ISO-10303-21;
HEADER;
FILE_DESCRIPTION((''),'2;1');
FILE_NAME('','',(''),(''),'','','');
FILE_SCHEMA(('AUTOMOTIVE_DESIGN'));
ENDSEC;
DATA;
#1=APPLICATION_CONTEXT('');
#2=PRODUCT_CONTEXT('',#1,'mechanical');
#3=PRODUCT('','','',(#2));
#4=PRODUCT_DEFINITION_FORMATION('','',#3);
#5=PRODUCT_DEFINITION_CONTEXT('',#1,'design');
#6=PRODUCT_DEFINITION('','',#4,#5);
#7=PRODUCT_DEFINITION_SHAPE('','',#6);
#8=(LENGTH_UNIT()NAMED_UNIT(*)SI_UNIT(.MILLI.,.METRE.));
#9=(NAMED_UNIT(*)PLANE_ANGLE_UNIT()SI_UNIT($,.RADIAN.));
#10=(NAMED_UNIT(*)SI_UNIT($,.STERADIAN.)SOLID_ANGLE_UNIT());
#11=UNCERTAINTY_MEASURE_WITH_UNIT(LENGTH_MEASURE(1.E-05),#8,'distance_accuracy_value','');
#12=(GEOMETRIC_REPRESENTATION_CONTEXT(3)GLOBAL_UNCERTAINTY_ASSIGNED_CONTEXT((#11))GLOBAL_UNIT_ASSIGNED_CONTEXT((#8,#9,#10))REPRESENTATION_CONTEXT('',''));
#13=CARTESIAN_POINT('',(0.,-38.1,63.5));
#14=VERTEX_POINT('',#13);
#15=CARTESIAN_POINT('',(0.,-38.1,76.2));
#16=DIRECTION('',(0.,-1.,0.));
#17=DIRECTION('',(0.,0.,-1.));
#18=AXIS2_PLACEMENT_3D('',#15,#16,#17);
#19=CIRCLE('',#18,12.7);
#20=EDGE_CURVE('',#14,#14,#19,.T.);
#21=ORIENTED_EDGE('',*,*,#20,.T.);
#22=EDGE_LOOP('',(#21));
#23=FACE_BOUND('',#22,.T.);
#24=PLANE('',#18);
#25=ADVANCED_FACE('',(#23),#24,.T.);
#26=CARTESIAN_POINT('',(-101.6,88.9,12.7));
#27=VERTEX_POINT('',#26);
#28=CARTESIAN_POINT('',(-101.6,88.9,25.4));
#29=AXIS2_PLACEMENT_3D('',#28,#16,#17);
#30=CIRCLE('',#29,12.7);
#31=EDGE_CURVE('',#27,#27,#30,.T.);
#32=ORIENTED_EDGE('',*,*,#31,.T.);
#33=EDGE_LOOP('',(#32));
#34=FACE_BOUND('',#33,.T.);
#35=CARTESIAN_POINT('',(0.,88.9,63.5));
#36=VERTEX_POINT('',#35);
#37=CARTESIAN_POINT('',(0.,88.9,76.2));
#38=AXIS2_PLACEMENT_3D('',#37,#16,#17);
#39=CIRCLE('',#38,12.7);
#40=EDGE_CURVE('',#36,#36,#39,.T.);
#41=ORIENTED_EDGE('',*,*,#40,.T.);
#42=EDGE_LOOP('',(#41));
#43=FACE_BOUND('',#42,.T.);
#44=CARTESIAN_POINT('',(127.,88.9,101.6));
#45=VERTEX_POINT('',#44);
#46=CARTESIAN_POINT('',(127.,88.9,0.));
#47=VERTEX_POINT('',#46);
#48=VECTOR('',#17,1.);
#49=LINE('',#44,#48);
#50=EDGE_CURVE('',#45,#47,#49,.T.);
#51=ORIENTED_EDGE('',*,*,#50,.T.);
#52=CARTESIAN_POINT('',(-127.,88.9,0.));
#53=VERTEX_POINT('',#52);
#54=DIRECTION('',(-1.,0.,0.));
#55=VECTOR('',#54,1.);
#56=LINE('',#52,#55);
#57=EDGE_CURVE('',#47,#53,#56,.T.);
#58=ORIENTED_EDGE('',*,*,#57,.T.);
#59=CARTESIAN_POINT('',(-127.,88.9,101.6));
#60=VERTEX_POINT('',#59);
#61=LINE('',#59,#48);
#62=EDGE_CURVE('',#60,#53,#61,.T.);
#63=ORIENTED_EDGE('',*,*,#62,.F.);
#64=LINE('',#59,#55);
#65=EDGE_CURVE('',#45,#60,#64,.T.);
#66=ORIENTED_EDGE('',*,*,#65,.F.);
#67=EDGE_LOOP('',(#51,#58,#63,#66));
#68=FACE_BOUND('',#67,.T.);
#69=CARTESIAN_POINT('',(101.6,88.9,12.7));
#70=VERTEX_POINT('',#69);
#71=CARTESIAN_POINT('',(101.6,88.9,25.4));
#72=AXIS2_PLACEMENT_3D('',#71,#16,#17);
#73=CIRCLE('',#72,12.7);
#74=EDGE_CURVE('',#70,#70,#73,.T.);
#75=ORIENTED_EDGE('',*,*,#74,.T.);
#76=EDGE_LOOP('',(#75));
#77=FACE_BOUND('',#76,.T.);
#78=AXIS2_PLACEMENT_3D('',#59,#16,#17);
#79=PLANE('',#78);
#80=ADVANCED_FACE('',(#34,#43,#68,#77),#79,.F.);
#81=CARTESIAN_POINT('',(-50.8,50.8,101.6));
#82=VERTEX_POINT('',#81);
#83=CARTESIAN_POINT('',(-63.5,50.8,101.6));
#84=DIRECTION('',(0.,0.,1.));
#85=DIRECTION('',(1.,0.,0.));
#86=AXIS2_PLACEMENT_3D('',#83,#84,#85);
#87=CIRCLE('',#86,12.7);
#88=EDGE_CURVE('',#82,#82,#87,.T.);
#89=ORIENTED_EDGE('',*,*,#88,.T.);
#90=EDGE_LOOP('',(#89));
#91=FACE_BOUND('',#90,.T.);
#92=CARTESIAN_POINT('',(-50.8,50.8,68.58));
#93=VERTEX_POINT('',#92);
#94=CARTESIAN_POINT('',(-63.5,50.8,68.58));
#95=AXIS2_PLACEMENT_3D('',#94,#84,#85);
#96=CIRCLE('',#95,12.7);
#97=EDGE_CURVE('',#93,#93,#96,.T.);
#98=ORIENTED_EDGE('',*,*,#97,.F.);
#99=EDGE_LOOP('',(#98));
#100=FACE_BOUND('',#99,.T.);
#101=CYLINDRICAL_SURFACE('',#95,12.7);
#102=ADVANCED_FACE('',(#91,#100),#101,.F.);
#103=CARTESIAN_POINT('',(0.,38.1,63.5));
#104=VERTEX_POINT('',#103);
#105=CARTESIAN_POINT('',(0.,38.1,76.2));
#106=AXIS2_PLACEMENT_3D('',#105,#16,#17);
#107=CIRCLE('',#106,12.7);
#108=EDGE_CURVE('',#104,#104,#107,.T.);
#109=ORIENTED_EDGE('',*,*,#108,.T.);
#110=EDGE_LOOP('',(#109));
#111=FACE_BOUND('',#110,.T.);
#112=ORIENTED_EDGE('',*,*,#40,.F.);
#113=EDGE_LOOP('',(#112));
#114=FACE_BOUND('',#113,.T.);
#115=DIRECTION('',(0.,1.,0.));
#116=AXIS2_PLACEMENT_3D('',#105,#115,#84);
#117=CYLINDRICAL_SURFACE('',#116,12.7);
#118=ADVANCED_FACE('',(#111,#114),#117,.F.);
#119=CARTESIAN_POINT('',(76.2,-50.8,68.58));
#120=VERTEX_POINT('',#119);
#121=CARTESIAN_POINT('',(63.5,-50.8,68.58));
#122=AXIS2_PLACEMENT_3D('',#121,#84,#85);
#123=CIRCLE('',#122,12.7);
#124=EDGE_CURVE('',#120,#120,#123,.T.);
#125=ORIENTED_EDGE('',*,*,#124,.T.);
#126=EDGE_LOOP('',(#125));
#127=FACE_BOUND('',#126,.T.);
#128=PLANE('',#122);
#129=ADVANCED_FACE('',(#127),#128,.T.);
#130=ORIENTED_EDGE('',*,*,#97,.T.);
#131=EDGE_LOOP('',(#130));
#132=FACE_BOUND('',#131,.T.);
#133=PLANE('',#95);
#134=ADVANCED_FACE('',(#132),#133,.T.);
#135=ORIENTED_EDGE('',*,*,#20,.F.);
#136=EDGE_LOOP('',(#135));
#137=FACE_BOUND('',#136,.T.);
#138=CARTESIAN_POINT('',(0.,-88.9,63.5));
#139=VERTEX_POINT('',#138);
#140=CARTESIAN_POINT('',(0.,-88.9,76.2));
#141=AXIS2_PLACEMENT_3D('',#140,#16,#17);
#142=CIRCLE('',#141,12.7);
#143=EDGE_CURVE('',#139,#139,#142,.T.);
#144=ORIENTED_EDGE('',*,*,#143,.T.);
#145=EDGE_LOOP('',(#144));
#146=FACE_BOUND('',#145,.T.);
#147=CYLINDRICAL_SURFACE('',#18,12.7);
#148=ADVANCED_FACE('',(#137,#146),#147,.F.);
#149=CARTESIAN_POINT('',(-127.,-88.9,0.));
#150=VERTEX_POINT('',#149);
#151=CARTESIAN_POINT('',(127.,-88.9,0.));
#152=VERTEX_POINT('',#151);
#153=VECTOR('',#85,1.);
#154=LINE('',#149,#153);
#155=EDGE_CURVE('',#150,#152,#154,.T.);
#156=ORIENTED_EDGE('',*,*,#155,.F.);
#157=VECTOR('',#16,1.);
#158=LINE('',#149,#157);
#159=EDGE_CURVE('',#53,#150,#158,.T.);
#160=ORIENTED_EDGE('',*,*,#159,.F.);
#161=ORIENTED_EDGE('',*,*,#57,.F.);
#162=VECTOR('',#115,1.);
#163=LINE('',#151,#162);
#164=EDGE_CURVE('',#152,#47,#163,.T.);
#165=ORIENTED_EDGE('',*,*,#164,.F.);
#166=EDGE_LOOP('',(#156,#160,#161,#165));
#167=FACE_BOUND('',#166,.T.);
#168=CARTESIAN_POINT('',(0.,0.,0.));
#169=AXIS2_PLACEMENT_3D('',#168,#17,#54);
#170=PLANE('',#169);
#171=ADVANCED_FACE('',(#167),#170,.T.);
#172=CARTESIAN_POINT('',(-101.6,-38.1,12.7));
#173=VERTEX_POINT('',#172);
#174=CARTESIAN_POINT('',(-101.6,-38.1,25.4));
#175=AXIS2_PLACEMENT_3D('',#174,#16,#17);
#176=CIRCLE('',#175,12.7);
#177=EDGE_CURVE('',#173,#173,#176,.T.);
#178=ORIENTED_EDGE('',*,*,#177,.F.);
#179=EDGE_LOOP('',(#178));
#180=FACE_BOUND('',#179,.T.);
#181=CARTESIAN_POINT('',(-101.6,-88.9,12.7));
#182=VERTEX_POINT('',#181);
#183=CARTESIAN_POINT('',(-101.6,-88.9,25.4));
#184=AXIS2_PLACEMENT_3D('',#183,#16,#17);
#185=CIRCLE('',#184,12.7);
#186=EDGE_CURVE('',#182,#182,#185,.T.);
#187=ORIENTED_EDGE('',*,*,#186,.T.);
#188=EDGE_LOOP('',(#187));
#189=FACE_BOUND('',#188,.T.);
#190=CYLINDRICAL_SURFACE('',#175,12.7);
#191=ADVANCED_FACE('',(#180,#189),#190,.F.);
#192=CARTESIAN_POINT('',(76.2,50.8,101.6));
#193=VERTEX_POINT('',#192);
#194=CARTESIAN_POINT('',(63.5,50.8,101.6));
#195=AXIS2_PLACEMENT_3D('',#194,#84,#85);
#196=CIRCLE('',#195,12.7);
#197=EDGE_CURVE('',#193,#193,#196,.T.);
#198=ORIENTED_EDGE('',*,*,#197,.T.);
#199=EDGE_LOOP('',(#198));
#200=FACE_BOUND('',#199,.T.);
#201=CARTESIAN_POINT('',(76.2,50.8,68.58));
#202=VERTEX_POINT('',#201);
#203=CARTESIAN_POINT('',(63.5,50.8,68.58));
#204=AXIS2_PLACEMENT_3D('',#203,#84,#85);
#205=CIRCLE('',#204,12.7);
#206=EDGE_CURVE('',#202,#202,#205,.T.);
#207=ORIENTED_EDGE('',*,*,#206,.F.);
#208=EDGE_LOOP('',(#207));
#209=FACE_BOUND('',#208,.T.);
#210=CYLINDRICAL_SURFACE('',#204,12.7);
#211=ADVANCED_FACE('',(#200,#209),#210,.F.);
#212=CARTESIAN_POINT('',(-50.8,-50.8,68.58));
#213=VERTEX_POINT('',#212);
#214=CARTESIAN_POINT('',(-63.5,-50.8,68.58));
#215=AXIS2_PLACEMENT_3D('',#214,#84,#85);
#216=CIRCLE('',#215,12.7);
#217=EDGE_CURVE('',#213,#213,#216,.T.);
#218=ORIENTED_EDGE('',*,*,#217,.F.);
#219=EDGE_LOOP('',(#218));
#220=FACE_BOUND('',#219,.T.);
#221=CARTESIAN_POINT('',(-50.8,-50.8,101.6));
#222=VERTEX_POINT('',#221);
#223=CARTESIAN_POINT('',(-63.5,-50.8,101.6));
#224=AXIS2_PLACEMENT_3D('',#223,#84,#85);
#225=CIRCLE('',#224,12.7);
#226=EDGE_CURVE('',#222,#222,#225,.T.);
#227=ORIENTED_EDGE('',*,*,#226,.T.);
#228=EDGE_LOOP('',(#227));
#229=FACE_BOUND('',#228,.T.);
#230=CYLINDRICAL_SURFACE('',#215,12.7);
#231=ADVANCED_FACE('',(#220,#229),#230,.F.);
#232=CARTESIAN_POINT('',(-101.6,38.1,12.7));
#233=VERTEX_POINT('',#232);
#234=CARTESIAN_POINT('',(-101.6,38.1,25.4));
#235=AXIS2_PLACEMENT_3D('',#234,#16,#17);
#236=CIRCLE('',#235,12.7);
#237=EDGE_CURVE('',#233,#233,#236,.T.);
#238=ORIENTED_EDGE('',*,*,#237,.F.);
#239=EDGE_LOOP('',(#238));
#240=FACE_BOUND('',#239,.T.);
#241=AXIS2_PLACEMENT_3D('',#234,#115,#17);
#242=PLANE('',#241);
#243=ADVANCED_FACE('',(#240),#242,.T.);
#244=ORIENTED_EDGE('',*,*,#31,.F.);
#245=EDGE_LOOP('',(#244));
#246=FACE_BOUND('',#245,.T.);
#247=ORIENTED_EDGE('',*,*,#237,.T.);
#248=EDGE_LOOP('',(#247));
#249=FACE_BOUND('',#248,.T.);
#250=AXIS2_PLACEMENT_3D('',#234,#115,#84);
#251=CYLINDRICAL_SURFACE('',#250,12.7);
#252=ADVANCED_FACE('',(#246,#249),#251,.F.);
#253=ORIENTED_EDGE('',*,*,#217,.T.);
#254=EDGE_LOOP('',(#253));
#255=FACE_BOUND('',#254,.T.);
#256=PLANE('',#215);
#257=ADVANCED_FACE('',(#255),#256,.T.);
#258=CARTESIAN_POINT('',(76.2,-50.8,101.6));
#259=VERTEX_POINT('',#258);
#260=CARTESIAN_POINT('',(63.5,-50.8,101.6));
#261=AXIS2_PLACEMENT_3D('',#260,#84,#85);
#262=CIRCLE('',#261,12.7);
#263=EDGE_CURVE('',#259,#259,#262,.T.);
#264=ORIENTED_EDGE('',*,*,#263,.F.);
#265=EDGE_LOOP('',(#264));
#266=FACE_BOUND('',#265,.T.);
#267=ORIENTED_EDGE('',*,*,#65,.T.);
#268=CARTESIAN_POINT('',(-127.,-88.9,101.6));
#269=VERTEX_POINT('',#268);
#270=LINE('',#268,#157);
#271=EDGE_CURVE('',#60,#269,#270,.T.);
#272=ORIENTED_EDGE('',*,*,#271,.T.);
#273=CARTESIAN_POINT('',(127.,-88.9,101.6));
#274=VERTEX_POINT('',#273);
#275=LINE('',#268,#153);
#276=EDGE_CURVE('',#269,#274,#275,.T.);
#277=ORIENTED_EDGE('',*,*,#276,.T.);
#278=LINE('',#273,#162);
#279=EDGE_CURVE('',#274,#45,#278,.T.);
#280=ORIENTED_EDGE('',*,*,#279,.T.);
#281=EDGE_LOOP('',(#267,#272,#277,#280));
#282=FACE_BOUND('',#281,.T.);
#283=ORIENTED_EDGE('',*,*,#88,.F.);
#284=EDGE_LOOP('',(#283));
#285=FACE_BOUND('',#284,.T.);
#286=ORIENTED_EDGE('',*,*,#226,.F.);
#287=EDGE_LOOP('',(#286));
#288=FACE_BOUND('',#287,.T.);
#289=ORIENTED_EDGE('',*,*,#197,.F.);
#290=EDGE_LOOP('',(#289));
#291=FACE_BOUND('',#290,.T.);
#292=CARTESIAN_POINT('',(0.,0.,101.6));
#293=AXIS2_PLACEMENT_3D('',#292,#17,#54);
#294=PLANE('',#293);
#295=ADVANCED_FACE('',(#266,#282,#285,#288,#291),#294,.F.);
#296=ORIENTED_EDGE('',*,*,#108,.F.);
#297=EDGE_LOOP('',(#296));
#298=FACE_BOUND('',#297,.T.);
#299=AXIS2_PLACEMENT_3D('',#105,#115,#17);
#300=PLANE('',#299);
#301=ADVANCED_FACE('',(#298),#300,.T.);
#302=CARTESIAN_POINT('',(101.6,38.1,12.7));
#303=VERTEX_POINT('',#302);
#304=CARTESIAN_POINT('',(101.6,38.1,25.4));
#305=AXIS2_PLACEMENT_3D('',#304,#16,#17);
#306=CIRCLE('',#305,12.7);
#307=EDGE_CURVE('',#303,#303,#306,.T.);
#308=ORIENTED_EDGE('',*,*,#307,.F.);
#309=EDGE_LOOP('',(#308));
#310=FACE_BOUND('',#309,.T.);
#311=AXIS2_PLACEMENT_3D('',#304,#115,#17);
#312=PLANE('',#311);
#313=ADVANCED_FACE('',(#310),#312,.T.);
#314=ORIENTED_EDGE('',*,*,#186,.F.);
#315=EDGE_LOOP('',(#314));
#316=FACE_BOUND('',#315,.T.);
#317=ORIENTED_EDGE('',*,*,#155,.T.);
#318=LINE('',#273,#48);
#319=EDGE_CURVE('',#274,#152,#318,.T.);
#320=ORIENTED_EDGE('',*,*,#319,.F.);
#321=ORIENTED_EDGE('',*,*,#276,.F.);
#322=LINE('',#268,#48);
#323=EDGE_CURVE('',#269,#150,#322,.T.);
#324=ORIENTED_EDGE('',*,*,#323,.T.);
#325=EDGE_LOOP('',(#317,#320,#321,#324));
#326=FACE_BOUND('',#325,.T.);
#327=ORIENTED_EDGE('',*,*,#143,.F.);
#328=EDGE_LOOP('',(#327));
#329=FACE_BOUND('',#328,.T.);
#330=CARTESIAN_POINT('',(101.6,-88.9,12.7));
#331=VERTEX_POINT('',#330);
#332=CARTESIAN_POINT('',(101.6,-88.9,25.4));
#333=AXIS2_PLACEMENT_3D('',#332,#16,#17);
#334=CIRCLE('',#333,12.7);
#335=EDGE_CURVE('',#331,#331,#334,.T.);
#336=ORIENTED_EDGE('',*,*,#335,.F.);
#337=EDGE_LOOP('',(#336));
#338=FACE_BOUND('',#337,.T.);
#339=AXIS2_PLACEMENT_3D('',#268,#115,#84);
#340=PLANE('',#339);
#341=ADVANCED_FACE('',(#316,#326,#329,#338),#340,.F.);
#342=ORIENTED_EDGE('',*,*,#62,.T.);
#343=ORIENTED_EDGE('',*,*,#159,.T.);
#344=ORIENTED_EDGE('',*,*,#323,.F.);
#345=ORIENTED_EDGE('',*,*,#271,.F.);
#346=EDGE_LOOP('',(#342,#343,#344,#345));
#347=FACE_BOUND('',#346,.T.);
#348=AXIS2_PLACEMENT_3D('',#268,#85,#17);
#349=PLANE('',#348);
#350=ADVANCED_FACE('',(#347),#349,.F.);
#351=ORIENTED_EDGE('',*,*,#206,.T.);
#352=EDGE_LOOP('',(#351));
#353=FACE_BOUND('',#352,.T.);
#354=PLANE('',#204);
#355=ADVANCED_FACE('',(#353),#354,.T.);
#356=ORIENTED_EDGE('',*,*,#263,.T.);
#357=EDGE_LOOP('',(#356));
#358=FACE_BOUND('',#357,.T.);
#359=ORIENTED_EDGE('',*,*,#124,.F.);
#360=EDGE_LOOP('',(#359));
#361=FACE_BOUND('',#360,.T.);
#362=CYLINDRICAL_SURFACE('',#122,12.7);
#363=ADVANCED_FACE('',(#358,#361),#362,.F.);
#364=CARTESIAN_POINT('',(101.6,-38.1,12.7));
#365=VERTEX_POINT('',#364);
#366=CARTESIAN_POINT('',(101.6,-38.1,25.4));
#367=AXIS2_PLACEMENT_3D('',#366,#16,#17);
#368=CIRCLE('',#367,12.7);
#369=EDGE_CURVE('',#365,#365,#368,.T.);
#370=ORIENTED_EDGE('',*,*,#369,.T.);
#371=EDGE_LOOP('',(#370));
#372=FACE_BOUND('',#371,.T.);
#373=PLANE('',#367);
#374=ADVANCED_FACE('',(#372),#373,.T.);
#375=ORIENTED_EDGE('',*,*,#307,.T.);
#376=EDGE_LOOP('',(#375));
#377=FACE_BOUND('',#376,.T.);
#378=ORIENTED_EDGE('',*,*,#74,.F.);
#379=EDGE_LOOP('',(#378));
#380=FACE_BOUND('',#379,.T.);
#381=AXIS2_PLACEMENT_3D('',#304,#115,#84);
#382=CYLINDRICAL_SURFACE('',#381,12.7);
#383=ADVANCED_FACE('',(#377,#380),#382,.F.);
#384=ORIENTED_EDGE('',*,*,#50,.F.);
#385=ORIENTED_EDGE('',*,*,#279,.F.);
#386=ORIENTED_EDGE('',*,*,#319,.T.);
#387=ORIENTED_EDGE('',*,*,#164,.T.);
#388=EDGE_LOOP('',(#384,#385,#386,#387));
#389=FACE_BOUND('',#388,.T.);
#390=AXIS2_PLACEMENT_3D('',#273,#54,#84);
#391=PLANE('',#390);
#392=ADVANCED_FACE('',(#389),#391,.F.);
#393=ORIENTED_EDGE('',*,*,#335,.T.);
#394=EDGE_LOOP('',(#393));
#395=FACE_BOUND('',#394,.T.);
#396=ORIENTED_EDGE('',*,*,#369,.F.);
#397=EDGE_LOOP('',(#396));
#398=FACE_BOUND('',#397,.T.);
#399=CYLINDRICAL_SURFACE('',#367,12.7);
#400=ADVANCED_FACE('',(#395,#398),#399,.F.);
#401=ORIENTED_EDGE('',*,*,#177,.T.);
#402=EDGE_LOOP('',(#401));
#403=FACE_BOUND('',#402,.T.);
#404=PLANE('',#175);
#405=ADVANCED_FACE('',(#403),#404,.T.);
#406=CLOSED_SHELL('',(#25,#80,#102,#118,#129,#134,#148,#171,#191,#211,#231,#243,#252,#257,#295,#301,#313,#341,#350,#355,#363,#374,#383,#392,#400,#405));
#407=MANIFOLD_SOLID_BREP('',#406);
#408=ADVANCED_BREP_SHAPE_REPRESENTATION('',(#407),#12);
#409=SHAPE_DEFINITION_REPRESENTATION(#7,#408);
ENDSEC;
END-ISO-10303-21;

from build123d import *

# Parameters (mm, degrees)
SKETCH1_W           = 254
SKETCH1_H           = 177.8
BOSS_EXTRUDE1_DEPTH = 101.6
SKETCH4_R           = 12.7
CUT_EXTRUDE3_DEPTH  = 50.8
SKETCH6_R           = 12.7
CUT_EXTRUDE4_DEPTH  = 50.8
SKETCH7_R           = 12.7
CUT_EXTRUDE5_DEPTH  = 33.02


with BuildPart() as part:
    # Sketch1 → Boss-Extrude1 (new body)
    with BuildSketch(Plane.XY):
        Rectangle(SKETCH1_W, SKETCH1_H)
    extrude(amount=BOSS_EXTRUDE1_DEPTH)

    # Sketch4 → Cut-Extrude3 (cut)
    with BuildSketch(Plane.XZ.offset(88.9)):
        with Locations(Location((-101.6, 25.4, 0), (0, 0, 270))):
            Circle(SKETCH4_R)
        with Locations(Location((101.6, 25.4, 0), (0, 0, 270))):
            Circle(SKETCH4_R)
    cut_extrude3 = extrude(amount=-CUT_EXTRUDE3_DEPTH, mode=Mode.SUBTRACT)

    # Mirror4: Cut-Extrude3 across plane
    add(cut_extrude3.mirror(Plane.ZX), mode=Mode.SUBTRACT)

    # Sketch6 → Cut-Extrude4 (cut)
    with BuildSketch(Plane.XZ.offset(88.9)):
        with Locations(Location((0, 76.2, 0), (0, 0, 270))):
            Circle(SKETCH6_R)
    cut_extrude4 = extrude(amount=-CUT_EXTRUDE4_DEPTH, mode=Mode.SUBTRACT)

    # Mirror5: Cut-Extrude4 across plane
    add(cut_extrude4.mirror(Plane.ZX), mode=Mode.SUBTRACT)

    # Sketch7 → Cut-Extrude5 (cut)
    with BuildSketch(Plane.XY.offset(101.6)):
        with Locations((63.5, -50.8)):
            Circle(SKETCH7_R)
        with Locations((63.5, 50.8)):
            Circle(SKETCH7_R)
        with Locations((-63.5, -50.8)):
            Circle(SKETCH7_R)
        with Locations((-63.5, 50.8)):
            Circle(SKETCH7_R)
    extrude(amount=-CUT_EXTRUDE5_DEPTH, mode=Mode.SUBTRACT)


solid = part.part
